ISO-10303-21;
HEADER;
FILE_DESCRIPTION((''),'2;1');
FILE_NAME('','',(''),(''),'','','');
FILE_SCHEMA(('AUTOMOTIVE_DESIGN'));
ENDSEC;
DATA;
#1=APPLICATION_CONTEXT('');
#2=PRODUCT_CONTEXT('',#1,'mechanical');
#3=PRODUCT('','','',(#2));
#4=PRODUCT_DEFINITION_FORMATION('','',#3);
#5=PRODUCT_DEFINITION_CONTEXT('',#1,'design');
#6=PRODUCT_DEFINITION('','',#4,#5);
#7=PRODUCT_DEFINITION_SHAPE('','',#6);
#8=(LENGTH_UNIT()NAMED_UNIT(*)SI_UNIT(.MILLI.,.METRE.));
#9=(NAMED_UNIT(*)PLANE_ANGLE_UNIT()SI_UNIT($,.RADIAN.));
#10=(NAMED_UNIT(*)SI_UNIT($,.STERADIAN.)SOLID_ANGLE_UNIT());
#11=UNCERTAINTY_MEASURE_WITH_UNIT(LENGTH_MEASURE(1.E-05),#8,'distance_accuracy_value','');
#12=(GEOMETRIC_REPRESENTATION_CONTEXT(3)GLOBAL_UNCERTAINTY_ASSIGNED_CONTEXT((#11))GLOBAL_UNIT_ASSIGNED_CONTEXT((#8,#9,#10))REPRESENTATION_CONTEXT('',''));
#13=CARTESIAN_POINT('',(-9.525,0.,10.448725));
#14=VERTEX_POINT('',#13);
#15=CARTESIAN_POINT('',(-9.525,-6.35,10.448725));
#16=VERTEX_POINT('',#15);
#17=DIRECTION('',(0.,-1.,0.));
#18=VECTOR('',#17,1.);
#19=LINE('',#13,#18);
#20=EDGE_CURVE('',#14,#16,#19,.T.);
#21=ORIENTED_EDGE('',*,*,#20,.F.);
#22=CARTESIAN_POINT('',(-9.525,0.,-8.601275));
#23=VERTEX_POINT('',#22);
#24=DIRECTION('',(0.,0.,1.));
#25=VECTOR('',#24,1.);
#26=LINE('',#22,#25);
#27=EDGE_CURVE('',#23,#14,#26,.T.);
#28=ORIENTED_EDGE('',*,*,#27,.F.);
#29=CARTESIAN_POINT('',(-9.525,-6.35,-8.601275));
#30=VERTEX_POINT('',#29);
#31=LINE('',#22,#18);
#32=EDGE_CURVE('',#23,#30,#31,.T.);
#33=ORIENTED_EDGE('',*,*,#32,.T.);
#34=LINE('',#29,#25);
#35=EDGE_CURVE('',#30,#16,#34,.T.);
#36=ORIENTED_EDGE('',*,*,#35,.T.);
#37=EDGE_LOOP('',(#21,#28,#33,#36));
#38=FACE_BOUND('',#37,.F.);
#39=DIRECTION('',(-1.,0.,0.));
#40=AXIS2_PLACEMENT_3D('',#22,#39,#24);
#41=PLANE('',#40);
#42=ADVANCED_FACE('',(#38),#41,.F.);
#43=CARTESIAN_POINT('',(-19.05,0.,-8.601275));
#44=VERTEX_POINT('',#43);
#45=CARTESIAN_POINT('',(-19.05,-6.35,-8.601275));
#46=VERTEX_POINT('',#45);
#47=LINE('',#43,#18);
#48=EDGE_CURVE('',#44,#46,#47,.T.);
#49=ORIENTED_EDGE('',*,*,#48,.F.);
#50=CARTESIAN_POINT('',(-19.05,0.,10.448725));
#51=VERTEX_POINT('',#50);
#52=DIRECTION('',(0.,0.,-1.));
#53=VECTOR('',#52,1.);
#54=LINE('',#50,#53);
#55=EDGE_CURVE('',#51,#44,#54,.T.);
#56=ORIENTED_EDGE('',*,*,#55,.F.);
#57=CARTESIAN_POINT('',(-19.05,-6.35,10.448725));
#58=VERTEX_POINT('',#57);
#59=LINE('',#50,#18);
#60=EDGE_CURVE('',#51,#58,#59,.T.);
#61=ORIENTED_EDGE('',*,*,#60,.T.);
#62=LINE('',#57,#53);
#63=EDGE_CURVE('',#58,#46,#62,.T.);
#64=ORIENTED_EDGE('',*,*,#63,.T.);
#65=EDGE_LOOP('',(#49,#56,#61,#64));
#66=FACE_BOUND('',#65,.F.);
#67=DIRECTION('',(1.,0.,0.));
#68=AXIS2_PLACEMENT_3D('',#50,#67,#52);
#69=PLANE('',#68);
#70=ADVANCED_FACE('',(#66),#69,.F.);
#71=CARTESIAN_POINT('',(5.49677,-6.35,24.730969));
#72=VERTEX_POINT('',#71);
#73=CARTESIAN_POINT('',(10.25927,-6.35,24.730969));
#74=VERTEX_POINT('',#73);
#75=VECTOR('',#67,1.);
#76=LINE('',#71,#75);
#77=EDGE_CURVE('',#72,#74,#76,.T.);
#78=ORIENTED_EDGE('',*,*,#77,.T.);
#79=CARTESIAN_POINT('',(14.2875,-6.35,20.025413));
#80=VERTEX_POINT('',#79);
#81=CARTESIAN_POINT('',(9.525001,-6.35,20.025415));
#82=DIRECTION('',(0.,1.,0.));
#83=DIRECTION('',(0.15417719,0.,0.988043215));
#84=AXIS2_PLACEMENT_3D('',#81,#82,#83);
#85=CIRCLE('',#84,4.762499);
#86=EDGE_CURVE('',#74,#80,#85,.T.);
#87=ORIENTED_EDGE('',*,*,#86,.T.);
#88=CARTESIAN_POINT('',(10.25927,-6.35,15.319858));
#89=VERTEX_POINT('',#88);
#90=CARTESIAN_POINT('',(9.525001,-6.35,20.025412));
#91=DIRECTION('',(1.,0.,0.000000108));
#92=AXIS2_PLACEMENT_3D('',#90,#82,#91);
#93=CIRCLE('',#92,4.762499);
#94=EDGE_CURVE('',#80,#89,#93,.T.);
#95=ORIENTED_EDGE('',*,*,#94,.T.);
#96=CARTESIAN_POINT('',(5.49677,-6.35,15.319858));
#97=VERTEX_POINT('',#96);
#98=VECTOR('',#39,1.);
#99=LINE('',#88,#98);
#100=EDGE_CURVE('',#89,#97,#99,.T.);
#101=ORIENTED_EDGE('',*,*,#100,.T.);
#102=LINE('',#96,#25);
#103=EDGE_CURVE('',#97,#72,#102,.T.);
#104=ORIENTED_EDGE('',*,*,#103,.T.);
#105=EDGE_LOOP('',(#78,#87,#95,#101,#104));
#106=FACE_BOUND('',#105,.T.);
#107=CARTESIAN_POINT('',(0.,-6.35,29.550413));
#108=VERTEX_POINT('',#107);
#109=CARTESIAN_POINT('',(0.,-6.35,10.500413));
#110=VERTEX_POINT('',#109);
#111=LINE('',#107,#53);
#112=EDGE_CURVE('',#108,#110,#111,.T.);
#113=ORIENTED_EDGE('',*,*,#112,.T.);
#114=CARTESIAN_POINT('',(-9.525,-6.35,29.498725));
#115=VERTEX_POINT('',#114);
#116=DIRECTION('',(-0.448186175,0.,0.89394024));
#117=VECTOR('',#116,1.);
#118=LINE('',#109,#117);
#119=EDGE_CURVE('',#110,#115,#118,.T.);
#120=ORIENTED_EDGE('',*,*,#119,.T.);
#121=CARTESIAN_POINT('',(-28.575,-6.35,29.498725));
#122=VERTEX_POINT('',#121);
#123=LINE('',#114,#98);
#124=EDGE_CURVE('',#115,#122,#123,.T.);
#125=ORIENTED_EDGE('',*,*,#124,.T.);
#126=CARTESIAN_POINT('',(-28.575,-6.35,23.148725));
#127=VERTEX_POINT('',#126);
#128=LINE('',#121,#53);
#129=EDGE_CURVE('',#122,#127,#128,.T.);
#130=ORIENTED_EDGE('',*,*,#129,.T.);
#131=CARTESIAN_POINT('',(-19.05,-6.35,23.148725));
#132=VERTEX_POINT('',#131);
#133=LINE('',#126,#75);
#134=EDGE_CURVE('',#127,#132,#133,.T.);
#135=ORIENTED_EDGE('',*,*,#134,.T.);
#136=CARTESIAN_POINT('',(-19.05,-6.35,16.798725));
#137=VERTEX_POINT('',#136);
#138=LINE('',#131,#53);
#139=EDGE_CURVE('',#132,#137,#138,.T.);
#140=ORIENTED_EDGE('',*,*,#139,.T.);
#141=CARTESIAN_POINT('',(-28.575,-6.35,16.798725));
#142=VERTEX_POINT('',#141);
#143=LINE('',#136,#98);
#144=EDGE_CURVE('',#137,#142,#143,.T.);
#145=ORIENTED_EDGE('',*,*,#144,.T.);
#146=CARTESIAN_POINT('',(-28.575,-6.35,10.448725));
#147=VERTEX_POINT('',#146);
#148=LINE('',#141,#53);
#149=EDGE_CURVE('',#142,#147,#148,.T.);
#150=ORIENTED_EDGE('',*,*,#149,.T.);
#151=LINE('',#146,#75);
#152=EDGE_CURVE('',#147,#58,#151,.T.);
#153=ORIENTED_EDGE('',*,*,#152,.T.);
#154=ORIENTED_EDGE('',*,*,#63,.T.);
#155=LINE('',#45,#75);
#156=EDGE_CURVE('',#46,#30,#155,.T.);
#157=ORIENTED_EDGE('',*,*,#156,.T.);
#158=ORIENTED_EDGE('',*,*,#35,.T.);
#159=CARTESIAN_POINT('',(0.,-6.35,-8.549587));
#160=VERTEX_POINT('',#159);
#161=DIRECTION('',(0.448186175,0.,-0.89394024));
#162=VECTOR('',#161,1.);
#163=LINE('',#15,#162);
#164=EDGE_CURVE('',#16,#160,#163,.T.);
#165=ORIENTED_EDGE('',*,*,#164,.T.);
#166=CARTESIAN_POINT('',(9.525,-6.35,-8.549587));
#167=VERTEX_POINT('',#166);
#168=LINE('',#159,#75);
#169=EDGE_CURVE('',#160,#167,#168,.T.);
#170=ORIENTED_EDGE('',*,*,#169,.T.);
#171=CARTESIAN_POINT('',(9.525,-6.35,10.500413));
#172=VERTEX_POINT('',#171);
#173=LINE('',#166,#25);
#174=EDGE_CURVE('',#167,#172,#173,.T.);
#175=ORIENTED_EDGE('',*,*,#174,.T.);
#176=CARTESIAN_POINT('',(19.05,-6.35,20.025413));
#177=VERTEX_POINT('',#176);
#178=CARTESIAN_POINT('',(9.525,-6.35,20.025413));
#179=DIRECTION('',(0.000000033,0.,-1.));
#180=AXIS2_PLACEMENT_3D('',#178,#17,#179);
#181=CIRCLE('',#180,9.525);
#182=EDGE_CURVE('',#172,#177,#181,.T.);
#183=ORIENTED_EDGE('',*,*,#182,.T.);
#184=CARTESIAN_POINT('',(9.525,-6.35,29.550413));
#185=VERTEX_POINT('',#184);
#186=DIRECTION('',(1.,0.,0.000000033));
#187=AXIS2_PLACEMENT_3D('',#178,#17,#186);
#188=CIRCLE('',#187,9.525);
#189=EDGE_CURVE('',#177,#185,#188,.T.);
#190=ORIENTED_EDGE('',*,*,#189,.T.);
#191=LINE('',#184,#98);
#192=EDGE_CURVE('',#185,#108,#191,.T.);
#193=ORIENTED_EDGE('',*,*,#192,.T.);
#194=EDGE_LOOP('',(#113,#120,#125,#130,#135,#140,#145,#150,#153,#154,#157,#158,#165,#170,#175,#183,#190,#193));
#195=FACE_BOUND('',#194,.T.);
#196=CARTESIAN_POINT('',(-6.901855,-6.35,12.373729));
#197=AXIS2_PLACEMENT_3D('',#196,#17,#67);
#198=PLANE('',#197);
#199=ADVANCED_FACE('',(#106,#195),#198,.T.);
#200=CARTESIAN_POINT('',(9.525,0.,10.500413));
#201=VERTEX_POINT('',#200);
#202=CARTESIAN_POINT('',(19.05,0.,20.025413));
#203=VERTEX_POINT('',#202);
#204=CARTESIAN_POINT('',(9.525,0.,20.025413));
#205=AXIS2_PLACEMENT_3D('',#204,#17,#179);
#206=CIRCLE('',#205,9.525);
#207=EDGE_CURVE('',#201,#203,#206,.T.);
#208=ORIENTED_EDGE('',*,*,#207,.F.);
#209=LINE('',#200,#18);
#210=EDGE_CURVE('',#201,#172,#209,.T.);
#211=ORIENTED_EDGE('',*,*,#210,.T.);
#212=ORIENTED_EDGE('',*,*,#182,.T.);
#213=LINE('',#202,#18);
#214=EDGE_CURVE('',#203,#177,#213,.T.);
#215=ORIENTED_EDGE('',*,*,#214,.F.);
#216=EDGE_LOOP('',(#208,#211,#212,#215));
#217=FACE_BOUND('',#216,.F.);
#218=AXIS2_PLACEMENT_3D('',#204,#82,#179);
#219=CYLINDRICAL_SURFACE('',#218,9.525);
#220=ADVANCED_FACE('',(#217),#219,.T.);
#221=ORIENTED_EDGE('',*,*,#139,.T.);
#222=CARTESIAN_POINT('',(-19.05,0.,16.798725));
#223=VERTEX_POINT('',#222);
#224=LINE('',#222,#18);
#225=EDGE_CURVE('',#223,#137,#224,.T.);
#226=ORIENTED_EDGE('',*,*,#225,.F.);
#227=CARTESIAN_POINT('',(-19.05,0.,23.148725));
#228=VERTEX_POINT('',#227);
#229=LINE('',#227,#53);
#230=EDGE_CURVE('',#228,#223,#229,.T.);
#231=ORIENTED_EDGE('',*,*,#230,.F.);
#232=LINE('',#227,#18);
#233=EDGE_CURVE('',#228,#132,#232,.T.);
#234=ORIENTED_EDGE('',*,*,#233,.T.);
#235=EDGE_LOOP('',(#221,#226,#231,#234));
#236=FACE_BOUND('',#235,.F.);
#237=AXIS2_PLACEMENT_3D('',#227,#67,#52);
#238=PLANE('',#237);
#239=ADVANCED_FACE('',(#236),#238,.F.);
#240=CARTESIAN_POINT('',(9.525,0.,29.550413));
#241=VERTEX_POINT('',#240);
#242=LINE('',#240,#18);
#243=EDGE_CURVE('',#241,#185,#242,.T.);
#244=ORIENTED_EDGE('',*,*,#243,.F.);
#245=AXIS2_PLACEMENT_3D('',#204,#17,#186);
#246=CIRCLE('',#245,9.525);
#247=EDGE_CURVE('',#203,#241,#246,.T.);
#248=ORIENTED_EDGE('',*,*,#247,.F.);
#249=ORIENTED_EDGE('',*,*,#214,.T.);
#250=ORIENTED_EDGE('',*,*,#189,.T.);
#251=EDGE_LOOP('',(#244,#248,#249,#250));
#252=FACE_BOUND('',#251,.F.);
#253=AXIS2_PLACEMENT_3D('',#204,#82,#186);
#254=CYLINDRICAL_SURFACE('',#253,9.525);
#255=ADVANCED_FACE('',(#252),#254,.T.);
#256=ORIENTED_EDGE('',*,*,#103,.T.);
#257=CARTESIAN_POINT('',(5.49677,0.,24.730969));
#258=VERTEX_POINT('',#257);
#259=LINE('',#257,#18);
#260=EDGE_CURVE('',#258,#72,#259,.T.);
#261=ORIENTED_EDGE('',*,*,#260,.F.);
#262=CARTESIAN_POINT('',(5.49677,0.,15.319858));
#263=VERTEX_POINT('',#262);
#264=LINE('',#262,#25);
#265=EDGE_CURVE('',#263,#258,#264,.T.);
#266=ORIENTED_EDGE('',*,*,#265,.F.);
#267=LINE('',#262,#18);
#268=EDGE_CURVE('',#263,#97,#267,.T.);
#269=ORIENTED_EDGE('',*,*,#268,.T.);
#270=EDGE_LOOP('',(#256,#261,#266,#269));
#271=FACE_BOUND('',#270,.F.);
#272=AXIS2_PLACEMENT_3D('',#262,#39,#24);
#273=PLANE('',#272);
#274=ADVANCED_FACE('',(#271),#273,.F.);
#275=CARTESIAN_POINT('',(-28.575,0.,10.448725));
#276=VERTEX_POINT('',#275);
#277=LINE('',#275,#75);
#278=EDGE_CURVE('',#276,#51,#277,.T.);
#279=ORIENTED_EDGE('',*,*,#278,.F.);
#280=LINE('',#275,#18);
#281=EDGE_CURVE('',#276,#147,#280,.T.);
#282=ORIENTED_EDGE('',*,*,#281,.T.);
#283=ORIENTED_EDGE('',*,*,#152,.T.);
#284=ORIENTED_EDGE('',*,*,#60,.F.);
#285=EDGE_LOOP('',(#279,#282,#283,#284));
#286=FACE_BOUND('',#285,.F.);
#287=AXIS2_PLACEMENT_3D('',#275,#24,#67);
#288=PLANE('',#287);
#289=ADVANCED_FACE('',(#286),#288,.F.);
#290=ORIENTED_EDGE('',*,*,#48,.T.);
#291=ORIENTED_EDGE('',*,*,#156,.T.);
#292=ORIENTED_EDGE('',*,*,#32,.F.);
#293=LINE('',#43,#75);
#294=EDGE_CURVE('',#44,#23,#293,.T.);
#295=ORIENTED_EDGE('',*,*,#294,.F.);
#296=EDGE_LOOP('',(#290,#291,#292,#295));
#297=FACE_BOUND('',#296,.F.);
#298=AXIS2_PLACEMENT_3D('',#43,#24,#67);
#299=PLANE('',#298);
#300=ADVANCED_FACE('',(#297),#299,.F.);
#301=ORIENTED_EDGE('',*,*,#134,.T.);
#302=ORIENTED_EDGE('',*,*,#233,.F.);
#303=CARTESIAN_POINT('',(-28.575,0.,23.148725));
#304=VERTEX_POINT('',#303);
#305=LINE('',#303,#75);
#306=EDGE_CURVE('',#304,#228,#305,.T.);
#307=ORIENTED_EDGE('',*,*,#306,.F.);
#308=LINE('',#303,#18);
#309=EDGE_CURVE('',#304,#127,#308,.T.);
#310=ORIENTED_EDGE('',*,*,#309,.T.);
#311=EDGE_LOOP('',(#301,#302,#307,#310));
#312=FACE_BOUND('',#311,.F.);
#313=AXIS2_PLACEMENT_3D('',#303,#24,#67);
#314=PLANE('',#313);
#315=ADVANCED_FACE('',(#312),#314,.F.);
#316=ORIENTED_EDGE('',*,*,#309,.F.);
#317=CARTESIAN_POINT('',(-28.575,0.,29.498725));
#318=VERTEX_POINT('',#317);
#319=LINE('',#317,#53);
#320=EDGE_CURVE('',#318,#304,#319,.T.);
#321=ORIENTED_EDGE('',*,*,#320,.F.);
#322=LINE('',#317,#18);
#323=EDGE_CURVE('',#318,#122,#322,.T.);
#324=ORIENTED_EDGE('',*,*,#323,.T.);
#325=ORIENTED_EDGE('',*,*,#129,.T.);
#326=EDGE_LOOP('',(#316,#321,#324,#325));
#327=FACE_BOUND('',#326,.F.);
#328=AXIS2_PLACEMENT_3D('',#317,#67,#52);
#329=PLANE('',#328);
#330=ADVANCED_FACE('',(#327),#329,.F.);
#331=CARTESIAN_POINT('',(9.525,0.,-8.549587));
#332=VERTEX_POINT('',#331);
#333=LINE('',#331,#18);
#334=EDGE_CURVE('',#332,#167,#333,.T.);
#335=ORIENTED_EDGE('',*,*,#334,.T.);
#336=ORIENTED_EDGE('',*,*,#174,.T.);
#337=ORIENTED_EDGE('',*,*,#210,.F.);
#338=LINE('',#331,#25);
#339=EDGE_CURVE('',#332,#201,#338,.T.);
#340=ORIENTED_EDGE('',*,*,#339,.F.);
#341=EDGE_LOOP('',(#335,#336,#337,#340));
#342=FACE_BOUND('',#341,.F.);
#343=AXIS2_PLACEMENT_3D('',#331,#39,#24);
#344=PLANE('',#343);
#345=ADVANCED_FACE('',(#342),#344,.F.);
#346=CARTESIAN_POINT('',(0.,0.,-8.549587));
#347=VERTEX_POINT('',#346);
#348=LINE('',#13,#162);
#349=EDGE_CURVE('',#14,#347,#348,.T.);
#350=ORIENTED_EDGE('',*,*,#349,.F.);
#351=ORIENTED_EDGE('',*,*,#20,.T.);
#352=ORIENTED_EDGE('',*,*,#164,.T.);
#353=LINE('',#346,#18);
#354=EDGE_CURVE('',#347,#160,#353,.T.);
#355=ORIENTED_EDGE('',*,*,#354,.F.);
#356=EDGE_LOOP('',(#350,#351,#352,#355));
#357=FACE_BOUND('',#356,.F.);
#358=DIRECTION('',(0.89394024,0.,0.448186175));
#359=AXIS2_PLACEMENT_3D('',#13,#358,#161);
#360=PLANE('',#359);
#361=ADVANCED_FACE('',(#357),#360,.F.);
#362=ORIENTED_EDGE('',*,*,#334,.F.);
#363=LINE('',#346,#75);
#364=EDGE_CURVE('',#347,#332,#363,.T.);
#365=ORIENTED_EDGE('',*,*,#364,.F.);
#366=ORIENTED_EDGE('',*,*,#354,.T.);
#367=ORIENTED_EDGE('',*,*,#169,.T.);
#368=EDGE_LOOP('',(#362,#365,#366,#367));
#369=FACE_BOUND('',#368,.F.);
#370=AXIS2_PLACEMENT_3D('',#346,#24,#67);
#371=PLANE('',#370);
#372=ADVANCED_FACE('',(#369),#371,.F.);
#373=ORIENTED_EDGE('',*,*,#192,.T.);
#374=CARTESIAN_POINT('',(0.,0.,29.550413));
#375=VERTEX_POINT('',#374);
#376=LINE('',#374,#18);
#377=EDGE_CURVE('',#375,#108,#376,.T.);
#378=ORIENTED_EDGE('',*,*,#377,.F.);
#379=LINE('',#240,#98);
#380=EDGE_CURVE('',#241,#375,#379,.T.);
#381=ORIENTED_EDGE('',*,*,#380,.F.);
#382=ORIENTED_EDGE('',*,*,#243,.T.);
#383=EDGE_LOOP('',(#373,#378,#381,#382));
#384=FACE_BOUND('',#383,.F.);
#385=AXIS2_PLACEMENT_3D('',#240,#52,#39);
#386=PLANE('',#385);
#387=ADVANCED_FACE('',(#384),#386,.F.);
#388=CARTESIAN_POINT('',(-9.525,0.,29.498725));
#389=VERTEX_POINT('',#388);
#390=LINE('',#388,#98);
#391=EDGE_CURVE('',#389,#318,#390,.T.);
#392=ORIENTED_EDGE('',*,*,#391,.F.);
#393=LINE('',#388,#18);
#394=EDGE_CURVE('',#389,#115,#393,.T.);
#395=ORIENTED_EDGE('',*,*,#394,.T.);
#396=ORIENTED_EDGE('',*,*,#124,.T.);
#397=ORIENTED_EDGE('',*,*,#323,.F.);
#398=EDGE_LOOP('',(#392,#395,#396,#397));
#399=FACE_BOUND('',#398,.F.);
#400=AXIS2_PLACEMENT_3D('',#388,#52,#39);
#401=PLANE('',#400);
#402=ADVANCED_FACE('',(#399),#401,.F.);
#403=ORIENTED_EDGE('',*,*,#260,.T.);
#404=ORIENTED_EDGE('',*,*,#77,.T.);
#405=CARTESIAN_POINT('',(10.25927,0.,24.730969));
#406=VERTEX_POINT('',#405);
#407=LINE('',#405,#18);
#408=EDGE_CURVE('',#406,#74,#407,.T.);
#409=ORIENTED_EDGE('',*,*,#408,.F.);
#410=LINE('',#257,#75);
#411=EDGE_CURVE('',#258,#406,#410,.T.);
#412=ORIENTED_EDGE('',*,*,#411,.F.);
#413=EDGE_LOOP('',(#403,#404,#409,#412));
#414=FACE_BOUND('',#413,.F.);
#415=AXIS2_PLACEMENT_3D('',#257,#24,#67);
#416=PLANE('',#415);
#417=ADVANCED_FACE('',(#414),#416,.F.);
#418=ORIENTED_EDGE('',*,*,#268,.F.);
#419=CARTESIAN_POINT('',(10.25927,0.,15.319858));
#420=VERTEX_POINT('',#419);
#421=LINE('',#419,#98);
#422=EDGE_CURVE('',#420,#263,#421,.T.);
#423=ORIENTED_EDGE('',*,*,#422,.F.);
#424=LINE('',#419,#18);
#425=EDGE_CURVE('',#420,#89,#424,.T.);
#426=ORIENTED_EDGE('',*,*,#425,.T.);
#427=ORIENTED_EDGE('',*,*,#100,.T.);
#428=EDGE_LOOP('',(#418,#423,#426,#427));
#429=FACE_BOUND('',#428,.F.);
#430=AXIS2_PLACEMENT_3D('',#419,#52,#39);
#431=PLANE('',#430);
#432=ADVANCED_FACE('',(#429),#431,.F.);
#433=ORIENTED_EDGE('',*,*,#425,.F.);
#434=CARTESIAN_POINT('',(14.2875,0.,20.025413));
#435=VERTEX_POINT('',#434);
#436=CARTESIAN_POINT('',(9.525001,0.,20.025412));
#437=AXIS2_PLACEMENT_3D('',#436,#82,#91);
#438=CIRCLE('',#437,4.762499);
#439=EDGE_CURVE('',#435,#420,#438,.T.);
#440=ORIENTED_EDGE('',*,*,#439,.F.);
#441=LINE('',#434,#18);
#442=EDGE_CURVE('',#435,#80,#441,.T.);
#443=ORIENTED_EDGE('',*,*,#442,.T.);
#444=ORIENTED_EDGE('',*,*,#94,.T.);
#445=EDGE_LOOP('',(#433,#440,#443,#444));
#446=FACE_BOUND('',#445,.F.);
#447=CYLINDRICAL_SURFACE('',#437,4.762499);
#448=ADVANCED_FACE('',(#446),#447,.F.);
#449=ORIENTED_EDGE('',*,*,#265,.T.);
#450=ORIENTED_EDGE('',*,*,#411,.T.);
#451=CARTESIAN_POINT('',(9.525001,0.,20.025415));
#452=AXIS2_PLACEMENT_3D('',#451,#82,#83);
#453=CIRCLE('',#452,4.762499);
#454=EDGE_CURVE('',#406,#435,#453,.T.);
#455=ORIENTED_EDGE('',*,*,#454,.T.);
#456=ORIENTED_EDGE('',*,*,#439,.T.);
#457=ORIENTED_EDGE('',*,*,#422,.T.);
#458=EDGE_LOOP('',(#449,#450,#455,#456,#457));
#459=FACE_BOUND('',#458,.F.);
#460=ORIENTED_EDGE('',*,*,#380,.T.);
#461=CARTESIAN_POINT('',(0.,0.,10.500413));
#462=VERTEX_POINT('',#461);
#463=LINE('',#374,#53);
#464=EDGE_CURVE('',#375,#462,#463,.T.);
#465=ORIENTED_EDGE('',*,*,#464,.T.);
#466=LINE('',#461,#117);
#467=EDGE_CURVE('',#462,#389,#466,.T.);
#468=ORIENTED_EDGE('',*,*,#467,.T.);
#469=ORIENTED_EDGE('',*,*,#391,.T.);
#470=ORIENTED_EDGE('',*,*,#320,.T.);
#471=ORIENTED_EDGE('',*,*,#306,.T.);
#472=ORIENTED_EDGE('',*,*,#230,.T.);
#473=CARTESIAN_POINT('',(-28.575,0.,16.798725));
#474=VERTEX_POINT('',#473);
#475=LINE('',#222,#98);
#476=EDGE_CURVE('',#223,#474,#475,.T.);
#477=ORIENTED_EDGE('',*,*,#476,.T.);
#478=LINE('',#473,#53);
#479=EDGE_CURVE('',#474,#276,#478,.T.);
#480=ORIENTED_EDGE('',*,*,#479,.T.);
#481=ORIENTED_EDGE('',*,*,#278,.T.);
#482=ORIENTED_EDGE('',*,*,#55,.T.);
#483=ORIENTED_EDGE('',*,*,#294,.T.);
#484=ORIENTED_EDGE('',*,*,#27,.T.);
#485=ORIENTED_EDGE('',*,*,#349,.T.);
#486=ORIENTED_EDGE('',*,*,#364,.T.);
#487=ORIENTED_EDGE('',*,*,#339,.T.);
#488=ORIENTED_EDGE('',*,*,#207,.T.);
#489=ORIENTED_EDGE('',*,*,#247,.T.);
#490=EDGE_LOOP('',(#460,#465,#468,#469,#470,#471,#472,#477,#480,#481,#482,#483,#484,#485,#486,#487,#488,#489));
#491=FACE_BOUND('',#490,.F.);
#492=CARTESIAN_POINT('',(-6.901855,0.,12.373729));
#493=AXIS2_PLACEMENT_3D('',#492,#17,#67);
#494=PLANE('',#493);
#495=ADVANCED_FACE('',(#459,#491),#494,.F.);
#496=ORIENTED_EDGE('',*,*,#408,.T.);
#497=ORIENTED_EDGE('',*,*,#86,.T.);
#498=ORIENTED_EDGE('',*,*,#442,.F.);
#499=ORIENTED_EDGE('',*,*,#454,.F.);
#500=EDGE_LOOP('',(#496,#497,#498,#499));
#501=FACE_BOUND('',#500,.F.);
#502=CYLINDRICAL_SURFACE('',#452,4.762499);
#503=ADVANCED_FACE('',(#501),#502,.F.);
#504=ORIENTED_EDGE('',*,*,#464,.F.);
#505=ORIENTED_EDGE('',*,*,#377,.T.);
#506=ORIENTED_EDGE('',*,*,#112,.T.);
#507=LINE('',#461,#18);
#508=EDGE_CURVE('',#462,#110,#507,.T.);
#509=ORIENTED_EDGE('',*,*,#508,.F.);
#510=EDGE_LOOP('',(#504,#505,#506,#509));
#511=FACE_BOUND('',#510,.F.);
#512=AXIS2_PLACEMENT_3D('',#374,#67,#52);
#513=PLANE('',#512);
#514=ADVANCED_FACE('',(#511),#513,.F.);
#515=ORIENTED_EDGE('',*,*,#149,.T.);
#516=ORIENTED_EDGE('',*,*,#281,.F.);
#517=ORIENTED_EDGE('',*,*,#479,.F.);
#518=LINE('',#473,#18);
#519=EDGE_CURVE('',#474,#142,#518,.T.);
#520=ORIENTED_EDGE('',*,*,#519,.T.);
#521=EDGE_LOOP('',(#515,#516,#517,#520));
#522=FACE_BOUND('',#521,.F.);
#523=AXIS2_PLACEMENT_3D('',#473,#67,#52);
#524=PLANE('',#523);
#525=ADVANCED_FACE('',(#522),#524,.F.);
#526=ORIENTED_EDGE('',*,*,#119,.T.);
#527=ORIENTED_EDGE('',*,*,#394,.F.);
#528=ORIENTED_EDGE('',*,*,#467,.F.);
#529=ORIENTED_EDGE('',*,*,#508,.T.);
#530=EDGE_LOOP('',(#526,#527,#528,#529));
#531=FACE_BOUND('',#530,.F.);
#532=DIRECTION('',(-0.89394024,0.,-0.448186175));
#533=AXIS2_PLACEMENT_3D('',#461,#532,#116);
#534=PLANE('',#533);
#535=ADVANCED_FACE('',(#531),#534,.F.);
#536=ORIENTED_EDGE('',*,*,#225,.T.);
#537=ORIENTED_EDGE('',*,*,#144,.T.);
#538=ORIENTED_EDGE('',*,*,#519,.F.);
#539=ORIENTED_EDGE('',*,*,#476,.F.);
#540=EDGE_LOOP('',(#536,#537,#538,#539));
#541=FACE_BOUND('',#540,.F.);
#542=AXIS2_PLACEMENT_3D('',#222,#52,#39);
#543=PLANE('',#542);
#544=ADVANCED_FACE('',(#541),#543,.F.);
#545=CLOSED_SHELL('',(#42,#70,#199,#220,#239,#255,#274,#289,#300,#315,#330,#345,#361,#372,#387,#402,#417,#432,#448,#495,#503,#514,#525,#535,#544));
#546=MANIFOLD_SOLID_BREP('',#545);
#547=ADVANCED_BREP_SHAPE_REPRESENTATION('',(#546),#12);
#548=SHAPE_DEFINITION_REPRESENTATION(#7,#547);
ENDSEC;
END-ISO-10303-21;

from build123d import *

# Parameters (mm, degrees)
F1_DEPTH = 6.35


with BuildPart() as f1:
    # F0 (on Front) → F1 (new body)
    with BuildSketch(Plane.XZ):
        with BuildLine():
            Line((-19.05, 29.498725), (-28.575, 29.498725))
            Line((-28.575, 29.498725), (-28.575, 23.148725))
            Line((-28.575, 23.148725), (-19.05, 23.148725))
            Line((-19.05, 23.148725), (-19.05, 16.798725))
            Line((-19.05, 16.798725), (-28.575, 16.798725))
            Line((-28.575, 16.798725), (-28.575, 10.448725))
            Line((-28.575, 10.448725), (-19.05, 10.448725))
            Line((-19.05, 10.448725), (-19.05, -8.601275))
            Line((-19.05, -8.601275), (-9.525, -8.601275))
            Line((-9.525, -8.601275), (-9.525, 10.448725))
            Line((-9.525, 10.448725), (0, -8.549587))
            Line((0, -8.549587), (9.525, -8.549587))
            Line((9.525, -8.549587), (9.525, 10.500413))
            ThreePointArc((9.525, 10.500413), (16.260192, 13.290221), (19.05, 20.025413))
            ThreePointArc((19.05, 20.025413), (16.260192, 26.760605), (9.525, 29.550413))
            Line((9.525, 29.550413), (2.38125, 29.550413))
            Line((2.38125, 29.550413), (0, 29.550413))
            Line((0, 29.550413), (0, 28.802633))
            Line((0, 28.802633), (0, 10.500413))
            Line((0, 10.500413), (-9.525, 29.498725))
            Line((-9.525, 29.498725), (-19.05, 29.498725))
        make_face()
        with BuildLine():
            ThreePointArc((10.25927, 24.730969), (13.142898, 23.122545), (14.2875, 20.025413))
            ThreePointArc((14.2875, 20.025413), (13.142898, 16.928282), (10.25927, 15.319858))
            Line((10.25927, 15.319858), (5.49677, 15.319858))
            Line((5.49677, 15.319858), (5.49677, 24.730969))
            Line((5.49677, 24.730969), (10.25927, 24.730969))
        make_face(mode=Mode.SUBTRACT)
    extrude(amount=F1_DEPTH)


solid = f1.part
